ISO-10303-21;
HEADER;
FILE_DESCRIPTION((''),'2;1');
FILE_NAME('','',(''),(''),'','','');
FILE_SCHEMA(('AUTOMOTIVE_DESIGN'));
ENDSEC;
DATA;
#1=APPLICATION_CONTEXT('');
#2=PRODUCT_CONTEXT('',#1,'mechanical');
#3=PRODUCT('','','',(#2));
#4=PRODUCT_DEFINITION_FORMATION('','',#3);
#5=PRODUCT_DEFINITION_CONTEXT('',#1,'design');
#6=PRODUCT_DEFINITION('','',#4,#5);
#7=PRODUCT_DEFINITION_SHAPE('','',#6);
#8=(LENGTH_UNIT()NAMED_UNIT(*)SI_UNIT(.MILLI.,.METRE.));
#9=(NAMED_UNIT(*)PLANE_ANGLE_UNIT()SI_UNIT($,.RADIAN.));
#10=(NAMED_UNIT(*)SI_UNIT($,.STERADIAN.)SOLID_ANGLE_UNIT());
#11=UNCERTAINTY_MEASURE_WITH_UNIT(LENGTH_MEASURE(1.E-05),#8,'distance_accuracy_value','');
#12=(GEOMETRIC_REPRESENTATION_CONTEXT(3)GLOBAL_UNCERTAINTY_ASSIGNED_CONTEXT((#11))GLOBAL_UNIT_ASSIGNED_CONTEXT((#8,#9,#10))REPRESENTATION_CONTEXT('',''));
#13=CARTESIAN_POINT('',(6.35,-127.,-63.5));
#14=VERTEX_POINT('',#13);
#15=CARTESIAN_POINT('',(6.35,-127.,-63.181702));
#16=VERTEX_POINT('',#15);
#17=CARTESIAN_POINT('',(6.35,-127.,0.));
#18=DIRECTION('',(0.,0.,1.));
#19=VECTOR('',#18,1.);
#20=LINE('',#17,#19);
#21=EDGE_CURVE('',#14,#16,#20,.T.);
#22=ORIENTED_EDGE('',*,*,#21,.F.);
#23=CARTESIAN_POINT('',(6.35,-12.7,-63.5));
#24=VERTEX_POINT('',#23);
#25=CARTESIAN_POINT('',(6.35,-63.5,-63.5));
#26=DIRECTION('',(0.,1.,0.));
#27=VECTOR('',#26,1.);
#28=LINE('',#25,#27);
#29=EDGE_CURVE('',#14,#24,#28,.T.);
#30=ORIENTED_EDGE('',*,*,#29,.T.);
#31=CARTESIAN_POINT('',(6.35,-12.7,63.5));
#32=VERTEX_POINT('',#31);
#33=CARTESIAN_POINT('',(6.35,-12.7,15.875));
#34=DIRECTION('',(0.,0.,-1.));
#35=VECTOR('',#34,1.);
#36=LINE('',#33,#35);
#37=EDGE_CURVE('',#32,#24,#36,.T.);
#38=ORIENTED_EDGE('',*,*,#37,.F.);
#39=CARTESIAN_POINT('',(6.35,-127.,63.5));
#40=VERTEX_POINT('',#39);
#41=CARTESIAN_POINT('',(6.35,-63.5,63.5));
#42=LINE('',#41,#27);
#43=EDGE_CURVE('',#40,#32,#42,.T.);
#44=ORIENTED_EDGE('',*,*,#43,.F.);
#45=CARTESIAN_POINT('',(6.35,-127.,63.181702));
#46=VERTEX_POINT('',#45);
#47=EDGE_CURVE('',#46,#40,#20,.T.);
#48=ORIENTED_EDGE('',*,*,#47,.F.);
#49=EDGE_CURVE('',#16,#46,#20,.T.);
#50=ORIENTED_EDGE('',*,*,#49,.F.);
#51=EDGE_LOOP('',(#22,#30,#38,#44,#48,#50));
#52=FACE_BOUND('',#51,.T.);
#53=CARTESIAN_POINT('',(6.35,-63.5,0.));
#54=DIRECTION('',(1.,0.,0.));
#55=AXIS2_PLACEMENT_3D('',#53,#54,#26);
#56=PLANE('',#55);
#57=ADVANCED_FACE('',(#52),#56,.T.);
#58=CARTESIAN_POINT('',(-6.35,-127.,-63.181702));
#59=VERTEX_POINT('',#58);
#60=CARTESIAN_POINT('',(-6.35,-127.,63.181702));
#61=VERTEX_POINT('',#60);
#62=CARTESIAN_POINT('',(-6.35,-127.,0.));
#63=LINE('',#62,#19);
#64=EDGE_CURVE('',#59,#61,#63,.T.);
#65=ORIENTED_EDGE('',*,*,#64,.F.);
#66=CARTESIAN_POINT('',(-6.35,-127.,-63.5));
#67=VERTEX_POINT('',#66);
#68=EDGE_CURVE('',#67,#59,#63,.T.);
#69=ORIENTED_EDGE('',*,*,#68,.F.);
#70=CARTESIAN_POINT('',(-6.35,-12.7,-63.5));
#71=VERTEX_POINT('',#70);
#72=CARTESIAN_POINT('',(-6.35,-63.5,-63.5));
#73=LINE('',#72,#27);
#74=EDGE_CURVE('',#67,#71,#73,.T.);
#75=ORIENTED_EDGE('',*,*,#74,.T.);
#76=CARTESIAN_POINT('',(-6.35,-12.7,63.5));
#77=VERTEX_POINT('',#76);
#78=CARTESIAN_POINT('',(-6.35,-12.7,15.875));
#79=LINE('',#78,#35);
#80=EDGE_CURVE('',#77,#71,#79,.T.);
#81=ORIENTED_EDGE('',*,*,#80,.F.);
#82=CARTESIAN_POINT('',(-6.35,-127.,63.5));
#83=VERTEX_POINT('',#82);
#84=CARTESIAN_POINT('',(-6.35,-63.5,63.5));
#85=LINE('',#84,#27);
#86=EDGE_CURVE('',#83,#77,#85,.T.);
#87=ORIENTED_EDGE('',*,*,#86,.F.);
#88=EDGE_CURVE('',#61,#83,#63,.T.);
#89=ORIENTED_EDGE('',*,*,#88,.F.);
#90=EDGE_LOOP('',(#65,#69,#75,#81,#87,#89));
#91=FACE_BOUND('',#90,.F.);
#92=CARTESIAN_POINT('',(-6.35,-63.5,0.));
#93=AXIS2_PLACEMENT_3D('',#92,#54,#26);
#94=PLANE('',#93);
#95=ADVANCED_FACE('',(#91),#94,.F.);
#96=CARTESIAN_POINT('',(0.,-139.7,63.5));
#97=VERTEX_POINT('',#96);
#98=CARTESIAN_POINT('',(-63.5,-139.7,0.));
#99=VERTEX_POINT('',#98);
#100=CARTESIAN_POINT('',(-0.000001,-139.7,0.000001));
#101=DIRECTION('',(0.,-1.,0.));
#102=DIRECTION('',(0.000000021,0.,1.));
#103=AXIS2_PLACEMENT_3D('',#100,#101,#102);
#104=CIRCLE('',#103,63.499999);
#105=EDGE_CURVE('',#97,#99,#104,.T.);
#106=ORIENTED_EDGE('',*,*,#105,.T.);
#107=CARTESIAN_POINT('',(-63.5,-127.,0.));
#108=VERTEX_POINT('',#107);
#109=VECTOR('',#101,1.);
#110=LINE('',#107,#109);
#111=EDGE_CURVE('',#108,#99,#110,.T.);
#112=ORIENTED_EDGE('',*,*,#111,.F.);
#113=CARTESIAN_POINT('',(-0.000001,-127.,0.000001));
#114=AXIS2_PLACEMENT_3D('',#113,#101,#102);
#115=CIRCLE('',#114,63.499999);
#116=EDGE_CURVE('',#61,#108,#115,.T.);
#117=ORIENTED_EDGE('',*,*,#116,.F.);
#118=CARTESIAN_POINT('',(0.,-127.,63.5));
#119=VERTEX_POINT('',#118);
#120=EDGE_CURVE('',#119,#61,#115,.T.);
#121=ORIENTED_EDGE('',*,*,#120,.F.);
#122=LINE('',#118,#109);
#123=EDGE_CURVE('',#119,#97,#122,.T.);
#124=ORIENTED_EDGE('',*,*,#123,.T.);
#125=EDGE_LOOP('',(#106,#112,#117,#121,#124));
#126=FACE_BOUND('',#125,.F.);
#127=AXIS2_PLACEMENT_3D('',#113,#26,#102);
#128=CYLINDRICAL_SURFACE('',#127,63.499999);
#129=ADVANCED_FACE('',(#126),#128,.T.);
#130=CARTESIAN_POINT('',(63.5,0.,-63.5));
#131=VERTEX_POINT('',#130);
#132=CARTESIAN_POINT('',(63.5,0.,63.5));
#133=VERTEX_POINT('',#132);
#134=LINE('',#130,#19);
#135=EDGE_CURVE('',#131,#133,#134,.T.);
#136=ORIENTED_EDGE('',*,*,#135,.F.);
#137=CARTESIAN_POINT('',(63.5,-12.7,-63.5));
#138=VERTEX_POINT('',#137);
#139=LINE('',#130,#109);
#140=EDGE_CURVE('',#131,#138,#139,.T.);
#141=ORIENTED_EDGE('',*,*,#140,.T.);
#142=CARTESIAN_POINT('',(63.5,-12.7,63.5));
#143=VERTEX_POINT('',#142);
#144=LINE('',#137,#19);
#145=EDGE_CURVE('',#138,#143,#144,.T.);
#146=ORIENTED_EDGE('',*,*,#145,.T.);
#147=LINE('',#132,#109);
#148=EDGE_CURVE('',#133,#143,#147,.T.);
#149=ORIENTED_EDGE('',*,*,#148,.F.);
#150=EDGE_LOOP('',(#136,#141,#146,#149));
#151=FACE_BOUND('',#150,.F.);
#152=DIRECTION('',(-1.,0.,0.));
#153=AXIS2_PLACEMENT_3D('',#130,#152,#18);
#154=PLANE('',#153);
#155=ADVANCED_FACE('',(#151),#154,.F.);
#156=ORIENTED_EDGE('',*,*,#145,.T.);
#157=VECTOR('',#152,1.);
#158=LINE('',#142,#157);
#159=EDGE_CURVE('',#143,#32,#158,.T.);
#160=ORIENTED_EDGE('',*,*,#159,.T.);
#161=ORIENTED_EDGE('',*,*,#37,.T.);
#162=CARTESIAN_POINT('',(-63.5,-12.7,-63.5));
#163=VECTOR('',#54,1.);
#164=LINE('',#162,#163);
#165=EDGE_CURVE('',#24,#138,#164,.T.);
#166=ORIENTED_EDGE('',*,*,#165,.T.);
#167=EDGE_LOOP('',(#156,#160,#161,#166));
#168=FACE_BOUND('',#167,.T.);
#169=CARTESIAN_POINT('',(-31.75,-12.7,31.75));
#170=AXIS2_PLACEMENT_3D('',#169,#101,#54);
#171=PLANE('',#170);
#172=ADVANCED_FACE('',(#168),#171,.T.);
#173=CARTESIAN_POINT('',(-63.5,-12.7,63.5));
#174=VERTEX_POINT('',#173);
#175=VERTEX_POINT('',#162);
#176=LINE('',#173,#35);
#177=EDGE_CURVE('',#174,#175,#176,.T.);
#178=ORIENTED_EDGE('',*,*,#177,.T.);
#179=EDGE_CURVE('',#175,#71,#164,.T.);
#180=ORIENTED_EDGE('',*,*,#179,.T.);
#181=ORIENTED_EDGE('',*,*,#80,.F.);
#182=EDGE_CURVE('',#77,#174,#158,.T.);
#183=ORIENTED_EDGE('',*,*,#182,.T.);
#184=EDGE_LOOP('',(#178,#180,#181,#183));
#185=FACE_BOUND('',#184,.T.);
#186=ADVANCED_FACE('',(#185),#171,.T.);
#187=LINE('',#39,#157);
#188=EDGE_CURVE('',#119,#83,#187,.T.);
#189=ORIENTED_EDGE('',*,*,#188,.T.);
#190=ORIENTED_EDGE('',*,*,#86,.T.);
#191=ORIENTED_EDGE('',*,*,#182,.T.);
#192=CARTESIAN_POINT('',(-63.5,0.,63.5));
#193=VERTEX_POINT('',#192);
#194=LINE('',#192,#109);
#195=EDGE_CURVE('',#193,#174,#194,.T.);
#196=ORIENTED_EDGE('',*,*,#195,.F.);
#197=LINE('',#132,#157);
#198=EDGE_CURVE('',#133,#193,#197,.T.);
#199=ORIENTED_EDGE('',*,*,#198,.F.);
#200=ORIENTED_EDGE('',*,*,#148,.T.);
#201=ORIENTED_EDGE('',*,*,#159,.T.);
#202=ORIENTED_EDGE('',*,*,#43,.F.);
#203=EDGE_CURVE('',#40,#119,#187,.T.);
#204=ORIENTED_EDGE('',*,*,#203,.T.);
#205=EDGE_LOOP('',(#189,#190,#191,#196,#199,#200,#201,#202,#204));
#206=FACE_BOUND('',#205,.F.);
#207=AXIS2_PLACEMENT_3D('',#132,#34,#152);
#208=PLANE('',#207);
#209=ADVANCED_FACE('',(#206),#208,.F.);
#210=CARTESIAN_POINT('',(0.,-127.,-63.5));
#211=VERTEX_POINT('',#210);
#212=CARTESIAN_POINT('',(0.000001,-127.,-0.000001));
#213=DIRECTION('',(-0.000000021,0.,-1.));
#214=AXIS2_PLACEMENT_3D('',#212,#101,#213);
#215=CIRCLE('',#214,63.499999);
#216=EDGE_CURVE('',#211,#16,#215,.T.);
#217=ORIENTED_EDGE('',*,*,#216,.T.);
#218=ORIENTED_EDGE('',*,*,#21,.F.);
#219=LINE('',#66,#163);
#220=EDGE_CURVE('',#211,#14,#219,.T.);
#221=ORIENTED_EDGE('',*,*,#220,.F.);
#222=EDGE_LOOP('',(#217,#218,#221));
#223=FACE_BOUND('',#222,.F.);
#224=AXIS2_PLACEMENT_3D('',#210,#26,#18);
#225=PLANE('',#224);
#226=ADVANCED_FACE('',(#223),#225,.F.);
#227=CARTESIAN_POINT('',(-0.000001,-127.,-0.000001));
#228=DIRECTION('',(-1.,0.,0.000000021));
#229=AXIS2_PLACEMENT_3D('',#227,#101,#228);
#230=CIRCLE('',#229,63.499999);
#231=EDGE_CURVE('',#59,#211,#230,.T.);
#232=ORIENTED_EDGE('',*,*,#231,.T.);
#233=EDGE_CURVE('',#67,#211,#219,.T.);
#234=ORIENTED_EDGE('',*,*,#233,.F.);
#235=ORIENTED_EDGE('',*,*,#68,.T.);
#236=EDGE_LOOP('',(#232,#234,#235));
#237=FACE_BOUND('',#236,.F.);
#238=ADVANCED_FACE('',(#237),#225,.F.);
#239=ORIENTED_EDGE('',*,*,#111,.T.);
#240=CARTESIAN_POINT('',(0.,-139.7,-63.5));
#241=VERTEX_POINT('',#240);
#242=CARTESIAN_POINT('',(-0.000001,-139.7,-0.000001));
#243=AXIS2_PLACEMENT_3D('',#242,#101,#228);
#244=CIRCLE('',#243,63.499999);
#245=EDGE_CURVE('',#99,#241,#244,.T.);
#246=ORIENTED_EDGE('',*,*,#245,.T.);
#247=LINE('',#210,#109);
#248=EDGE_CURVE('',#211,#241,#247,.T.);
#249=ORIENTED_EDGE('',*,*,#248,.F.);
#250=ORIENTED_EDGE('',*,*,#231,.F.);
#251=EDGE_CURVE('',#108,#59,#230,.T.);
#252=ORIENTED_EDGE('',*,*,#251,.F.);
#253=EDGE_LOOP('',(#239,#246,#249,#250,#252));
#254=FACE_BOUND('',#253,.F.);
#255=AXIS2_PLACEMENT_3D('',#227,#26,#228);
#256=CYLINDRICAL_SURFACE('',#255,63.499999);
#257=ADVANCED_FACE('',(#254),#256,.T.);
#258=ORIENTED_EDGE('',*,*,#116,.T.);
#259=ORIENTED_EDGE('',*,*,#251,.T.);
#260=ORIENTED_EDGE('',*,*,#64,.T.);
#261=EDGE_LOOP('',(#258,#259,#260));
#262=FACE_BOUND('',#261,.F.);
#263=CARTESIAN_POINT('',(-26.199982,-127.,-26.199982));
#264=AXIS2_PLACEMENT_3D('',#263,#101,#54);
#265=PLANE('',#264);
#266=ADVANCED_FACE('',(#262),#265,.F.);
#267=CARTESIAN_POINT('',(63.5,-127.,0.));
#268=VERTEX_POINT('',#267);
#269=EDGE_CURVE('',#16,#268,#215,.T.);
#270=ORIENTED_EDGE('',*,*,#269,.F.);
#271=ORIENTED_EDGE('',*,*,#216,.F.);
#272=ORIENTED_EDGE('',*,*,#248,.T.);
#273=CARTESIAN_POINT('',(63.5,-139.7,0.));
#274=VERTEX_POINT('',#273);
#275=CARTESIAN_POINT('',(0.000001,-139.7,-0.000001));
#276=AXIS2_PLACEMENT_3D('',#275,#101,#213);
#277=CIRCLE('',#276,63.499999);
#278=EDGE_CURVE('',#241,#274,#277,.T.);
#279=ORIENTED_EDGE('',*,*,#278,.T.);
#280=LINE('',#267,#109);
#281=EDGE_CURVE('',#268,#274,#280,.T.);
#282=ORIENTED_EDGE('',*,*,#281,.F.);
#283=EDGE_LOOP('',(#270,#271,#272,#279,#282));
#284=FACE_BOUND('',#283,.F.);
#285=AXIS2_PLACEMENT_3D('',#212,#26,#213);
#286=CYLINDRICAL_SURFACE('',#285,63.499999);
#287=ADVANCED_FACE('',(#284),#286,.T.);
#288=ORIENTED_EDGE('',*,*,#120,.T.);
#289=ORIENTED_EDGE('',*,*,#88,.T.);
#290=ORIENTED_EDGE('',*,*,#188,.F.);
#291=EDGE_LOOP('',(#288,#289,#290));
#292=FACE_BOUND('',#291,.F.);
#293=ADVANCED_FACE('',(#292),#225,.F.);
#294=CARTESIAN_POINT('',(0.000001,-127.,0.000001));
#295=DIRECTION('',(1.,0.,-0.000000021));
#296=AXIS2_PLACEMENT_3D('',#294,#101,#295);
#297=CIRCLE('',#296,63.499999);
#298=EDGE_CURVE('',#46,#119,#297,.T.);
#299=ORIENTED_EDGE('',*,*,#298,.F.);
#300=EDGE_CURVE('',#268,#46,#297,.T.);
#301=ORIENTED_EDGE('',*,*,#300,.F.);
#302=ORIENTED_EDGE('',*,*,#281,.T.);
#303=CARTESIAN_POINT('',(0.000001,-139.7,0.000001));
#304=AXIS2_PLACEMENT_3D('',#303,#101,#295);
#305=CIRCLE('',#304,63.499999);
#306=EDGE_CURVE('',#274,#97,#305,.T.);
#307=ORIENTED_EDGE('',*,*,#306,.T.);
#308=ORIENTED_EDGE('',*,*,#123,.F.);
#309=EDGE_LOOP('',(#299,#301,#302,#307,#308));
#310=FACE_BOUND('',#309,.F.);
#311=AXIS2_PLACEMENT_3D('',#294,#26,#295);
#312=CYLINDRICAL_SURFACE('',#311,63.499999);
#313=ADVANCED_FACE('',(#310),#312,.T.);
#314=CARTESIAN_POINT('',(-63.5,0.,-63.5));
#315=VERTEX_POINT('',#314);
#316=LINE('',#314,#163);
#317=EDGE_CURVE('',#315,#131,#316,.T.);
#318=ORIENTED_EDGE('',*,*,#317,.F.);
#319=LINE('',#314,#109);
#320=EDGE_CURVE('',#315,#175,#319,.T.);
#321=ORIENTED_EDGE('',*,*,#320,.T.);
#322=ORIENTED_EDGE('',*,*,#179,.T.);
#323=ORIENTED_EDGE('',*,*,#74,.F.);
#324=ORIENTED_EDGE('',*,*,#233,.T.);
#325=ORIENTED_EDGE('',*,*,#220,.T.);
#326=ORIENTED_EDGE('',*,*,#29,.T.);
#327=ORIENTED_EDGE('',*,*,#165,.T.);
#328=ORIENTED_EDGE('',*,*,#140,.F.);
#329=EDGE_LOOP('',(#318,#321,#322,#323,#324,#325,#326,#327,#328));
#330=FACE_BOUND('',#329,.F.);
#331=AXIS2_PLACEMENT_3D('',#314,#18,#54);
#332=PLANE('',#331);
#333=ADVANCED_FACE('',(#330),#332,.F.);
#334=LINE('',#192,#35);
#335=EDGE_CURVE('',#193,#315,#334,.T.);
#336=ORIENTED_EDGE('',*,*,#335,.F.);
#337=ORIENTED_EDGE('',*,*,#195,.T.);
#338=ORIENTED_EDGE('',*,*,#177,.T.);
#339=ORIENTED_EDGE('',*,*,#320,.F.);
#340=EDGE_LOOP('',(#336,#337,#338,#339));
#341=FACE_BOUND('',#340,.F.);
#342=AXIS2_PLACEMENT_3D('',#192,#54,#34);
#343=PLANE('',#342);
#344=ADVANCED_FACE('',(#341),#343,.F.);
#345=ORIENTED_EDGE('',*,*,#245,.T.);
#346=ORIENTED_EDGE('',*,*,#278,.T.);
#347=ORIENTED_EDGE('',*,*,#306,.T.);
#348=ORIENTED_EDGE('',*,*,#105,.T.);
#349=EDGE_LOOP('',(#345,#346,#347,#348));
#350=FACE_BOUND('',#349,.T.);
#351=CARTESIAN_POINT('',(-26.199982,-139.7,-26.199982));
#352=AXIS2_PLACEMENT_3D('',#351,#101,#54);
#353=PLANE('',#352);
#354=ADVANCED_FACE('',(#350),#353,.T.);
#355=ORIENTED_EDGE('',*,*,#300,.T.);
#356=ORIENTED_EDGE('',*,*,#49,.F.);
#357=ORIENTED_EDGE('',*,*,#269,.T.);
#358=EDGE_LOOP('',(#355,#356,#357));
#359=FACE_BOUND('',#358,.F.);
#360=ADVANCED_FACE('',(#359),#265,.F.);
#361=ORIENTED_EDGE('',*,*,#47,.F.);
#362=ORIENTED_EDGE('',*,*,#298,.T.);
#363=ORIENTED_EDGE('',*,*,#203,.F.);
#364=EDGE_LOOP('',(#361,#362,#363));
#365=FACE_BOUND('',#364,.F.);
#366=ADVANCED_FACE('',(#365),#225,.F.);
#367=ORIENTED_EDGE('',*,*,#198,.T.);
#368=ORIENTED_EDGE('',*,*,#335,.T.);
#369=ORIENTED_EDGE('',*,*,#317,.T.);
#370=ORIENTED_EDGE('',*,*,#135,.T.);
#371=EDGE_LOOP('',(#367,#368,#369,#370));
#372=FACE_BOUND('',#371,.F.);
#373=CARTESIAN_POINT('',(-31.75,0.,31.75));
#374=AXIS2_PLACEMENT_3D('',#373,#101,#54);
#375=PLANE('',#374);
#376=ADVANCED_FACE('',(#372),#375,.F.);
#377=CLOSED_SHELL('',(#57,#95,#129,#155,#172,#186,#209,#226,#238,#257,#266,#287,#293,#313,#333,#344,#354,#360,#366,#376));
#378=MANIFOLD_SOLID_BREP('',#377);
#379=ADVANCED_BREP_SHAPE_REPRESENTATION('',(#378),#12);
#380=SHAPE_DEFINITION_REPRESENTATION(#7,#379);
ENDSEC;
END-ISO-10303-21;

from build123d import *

# Parameters (mm, degrees)
F3_W     = 127
F3_H     = 127
F4_DEPTH = 6.35
F5_DEPTH = 12.7
F0_W     = 63.5
F0_H     = 63.5
F6_DEPTH = 12.7


with BuildPart() as f4:
    # F3 (on Right) → F4 (new body, symmetric)
    with BuildSketch(Plane.YZ):
        with Locations((-63.5, 0)):
            Rectangle(F3_W, F3_H)
    extrude(amount=F4_DEPTH, both=True)

    # F2 (on offset) → F5 (join)
    with BuildSketch(Plane.XZ.offset(127)):
        with BuildLine():
            ThreePointArc((-63.5, 0), (-44.901281, -44.901281), (0, -63.5))
            Line((0, -63.5), (0, 0))
            Line((0, 0), (-63.5, 0))
        make_face()
        with BuildLine():
            ThreePointArc((0, -63.5), (44.901281, -44.901281), (63.5, 0))
            Line((63.5, 0), (0, 0))
            Line((0, 0), (0, -63.5))
        make_face()
        with BuildLine():
            Line((0, 0), (0, 63.5))
            ThreePointArc((0, 63.5), (-44.901281, 44.901281), (-63.5, 0))
            Line((-63.5, 0), (0, 0))
        make_face()
        with BuildLine():
            Line((0, 0), (63.5, 0))
            ThreePointArc((63.5, 0), (44.901281, 44.901281), (0, 63.5))
            Line((0, 63.5), (0, 0))
        make_face()
    extrude(amount=F5_DEPTH)

    # F0 (on Front) → F6 (join)
    with BuildSketch(Plane.XZ):
        with Locations((-31.75, 31.75)):
            Rectangle(F0_W, F0_H)
        with Locations((31.75, 31.75)):
            Rectangle(F0_W, F0_H)
        with Locations((31.75, -31.75)):
            Rectangle(F0_W, F0_H)
        with Locations((-31.75, -31.75)):
            Rectangle(F0_W, F0_H)
    extrude(amount=F6_DEPTH)


solid = f4.part
